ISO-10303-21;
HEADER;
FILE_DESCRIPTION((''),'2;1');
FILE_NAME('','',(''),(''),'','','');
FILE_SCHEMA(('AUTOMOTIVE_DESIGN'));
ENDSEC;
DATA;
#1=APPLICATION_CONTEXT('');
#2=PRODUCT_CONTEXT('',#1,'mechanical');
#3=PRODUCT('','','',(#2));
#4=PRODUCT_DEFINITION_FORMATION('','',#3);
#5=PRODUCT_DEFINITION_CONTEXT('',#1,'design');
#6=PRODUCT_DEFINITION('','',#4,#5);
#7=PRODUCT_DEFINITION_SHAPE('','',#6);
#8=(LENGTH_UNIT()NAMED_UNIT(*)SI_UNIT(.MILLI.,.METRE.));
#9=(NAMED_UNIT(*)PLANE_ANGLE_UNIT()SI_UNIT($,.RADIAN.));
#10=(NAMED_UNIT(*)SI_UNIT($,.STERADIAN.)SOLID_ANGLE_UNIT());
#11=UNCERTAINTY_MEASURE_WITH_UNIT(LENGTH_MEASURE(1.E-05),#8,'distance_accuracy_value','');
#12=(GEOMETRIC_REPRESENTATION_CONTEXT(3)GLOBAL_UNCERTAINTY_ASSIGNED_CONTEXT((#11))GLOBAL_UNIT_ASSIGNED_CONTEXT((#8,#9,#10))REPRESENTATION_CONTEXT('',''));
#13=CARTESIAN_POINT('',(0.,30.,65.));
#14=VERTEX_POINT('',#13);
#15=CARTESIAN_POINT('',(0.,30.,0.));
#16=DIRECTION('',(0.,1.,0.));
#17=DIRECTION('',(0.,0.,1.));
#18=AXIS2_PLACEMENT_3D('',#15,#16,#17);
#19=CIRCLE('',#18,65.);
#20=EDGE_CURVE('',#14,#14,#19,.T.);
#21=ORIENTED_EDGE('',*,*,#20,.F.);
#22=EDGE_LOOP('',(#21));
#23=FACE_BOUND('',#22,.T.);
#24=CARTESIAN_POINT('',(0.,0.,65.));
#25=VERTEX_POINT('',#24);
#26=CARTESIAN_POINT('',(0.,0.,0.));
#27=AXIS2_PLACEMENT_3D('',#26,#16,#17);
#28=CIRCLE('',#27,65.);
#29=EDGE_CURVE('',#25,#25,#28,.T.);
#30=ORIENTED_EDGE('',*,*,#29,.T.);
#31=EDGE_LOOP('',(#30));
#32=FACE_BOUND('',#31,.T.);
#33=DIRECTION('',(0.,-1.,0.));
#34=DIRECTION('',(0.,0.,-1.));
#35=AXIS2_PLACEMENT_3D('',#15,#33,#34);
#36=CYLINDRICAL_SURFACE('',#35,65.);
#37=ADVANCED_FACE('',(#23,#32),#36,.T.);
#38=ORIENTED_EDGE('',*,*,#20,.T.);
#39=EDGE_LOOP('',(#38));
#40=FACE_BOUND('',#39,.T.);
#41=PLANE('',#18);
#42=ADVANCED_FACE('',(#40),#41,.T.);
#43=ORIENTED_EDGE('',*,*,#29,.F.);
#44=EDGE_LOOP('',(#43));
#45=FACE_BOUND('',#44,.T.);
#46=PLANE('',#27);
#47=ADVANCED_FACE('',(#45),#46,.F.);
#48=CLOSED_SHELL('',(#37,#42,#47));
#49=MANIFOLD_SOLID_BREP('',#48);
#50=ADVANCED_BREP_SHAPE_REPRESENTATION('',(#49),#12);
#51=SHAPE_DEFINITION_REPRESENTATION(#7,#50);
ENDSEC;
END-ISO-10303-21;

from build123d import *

# Parameters (mm, degrees)
SKETCH1_R      = 65
EXTRUDE1_DEPTH = 30


with BuildPart() as part:
    # Sketch1 → Extrude1 (new body)
    with BuildSketch(Plane(origin=(0, 0, 0), x_dir=(1, 0, 0), z_dir=(0, 1, 0))):
        with Locations(Location((0, 0, 0), (0, 0, 270))):  # turned: the seam where the file's is
            Circle(SKETCH1_R)
    extrude(amount=EXTRUDE1_DEPTH)


solid = part.part
